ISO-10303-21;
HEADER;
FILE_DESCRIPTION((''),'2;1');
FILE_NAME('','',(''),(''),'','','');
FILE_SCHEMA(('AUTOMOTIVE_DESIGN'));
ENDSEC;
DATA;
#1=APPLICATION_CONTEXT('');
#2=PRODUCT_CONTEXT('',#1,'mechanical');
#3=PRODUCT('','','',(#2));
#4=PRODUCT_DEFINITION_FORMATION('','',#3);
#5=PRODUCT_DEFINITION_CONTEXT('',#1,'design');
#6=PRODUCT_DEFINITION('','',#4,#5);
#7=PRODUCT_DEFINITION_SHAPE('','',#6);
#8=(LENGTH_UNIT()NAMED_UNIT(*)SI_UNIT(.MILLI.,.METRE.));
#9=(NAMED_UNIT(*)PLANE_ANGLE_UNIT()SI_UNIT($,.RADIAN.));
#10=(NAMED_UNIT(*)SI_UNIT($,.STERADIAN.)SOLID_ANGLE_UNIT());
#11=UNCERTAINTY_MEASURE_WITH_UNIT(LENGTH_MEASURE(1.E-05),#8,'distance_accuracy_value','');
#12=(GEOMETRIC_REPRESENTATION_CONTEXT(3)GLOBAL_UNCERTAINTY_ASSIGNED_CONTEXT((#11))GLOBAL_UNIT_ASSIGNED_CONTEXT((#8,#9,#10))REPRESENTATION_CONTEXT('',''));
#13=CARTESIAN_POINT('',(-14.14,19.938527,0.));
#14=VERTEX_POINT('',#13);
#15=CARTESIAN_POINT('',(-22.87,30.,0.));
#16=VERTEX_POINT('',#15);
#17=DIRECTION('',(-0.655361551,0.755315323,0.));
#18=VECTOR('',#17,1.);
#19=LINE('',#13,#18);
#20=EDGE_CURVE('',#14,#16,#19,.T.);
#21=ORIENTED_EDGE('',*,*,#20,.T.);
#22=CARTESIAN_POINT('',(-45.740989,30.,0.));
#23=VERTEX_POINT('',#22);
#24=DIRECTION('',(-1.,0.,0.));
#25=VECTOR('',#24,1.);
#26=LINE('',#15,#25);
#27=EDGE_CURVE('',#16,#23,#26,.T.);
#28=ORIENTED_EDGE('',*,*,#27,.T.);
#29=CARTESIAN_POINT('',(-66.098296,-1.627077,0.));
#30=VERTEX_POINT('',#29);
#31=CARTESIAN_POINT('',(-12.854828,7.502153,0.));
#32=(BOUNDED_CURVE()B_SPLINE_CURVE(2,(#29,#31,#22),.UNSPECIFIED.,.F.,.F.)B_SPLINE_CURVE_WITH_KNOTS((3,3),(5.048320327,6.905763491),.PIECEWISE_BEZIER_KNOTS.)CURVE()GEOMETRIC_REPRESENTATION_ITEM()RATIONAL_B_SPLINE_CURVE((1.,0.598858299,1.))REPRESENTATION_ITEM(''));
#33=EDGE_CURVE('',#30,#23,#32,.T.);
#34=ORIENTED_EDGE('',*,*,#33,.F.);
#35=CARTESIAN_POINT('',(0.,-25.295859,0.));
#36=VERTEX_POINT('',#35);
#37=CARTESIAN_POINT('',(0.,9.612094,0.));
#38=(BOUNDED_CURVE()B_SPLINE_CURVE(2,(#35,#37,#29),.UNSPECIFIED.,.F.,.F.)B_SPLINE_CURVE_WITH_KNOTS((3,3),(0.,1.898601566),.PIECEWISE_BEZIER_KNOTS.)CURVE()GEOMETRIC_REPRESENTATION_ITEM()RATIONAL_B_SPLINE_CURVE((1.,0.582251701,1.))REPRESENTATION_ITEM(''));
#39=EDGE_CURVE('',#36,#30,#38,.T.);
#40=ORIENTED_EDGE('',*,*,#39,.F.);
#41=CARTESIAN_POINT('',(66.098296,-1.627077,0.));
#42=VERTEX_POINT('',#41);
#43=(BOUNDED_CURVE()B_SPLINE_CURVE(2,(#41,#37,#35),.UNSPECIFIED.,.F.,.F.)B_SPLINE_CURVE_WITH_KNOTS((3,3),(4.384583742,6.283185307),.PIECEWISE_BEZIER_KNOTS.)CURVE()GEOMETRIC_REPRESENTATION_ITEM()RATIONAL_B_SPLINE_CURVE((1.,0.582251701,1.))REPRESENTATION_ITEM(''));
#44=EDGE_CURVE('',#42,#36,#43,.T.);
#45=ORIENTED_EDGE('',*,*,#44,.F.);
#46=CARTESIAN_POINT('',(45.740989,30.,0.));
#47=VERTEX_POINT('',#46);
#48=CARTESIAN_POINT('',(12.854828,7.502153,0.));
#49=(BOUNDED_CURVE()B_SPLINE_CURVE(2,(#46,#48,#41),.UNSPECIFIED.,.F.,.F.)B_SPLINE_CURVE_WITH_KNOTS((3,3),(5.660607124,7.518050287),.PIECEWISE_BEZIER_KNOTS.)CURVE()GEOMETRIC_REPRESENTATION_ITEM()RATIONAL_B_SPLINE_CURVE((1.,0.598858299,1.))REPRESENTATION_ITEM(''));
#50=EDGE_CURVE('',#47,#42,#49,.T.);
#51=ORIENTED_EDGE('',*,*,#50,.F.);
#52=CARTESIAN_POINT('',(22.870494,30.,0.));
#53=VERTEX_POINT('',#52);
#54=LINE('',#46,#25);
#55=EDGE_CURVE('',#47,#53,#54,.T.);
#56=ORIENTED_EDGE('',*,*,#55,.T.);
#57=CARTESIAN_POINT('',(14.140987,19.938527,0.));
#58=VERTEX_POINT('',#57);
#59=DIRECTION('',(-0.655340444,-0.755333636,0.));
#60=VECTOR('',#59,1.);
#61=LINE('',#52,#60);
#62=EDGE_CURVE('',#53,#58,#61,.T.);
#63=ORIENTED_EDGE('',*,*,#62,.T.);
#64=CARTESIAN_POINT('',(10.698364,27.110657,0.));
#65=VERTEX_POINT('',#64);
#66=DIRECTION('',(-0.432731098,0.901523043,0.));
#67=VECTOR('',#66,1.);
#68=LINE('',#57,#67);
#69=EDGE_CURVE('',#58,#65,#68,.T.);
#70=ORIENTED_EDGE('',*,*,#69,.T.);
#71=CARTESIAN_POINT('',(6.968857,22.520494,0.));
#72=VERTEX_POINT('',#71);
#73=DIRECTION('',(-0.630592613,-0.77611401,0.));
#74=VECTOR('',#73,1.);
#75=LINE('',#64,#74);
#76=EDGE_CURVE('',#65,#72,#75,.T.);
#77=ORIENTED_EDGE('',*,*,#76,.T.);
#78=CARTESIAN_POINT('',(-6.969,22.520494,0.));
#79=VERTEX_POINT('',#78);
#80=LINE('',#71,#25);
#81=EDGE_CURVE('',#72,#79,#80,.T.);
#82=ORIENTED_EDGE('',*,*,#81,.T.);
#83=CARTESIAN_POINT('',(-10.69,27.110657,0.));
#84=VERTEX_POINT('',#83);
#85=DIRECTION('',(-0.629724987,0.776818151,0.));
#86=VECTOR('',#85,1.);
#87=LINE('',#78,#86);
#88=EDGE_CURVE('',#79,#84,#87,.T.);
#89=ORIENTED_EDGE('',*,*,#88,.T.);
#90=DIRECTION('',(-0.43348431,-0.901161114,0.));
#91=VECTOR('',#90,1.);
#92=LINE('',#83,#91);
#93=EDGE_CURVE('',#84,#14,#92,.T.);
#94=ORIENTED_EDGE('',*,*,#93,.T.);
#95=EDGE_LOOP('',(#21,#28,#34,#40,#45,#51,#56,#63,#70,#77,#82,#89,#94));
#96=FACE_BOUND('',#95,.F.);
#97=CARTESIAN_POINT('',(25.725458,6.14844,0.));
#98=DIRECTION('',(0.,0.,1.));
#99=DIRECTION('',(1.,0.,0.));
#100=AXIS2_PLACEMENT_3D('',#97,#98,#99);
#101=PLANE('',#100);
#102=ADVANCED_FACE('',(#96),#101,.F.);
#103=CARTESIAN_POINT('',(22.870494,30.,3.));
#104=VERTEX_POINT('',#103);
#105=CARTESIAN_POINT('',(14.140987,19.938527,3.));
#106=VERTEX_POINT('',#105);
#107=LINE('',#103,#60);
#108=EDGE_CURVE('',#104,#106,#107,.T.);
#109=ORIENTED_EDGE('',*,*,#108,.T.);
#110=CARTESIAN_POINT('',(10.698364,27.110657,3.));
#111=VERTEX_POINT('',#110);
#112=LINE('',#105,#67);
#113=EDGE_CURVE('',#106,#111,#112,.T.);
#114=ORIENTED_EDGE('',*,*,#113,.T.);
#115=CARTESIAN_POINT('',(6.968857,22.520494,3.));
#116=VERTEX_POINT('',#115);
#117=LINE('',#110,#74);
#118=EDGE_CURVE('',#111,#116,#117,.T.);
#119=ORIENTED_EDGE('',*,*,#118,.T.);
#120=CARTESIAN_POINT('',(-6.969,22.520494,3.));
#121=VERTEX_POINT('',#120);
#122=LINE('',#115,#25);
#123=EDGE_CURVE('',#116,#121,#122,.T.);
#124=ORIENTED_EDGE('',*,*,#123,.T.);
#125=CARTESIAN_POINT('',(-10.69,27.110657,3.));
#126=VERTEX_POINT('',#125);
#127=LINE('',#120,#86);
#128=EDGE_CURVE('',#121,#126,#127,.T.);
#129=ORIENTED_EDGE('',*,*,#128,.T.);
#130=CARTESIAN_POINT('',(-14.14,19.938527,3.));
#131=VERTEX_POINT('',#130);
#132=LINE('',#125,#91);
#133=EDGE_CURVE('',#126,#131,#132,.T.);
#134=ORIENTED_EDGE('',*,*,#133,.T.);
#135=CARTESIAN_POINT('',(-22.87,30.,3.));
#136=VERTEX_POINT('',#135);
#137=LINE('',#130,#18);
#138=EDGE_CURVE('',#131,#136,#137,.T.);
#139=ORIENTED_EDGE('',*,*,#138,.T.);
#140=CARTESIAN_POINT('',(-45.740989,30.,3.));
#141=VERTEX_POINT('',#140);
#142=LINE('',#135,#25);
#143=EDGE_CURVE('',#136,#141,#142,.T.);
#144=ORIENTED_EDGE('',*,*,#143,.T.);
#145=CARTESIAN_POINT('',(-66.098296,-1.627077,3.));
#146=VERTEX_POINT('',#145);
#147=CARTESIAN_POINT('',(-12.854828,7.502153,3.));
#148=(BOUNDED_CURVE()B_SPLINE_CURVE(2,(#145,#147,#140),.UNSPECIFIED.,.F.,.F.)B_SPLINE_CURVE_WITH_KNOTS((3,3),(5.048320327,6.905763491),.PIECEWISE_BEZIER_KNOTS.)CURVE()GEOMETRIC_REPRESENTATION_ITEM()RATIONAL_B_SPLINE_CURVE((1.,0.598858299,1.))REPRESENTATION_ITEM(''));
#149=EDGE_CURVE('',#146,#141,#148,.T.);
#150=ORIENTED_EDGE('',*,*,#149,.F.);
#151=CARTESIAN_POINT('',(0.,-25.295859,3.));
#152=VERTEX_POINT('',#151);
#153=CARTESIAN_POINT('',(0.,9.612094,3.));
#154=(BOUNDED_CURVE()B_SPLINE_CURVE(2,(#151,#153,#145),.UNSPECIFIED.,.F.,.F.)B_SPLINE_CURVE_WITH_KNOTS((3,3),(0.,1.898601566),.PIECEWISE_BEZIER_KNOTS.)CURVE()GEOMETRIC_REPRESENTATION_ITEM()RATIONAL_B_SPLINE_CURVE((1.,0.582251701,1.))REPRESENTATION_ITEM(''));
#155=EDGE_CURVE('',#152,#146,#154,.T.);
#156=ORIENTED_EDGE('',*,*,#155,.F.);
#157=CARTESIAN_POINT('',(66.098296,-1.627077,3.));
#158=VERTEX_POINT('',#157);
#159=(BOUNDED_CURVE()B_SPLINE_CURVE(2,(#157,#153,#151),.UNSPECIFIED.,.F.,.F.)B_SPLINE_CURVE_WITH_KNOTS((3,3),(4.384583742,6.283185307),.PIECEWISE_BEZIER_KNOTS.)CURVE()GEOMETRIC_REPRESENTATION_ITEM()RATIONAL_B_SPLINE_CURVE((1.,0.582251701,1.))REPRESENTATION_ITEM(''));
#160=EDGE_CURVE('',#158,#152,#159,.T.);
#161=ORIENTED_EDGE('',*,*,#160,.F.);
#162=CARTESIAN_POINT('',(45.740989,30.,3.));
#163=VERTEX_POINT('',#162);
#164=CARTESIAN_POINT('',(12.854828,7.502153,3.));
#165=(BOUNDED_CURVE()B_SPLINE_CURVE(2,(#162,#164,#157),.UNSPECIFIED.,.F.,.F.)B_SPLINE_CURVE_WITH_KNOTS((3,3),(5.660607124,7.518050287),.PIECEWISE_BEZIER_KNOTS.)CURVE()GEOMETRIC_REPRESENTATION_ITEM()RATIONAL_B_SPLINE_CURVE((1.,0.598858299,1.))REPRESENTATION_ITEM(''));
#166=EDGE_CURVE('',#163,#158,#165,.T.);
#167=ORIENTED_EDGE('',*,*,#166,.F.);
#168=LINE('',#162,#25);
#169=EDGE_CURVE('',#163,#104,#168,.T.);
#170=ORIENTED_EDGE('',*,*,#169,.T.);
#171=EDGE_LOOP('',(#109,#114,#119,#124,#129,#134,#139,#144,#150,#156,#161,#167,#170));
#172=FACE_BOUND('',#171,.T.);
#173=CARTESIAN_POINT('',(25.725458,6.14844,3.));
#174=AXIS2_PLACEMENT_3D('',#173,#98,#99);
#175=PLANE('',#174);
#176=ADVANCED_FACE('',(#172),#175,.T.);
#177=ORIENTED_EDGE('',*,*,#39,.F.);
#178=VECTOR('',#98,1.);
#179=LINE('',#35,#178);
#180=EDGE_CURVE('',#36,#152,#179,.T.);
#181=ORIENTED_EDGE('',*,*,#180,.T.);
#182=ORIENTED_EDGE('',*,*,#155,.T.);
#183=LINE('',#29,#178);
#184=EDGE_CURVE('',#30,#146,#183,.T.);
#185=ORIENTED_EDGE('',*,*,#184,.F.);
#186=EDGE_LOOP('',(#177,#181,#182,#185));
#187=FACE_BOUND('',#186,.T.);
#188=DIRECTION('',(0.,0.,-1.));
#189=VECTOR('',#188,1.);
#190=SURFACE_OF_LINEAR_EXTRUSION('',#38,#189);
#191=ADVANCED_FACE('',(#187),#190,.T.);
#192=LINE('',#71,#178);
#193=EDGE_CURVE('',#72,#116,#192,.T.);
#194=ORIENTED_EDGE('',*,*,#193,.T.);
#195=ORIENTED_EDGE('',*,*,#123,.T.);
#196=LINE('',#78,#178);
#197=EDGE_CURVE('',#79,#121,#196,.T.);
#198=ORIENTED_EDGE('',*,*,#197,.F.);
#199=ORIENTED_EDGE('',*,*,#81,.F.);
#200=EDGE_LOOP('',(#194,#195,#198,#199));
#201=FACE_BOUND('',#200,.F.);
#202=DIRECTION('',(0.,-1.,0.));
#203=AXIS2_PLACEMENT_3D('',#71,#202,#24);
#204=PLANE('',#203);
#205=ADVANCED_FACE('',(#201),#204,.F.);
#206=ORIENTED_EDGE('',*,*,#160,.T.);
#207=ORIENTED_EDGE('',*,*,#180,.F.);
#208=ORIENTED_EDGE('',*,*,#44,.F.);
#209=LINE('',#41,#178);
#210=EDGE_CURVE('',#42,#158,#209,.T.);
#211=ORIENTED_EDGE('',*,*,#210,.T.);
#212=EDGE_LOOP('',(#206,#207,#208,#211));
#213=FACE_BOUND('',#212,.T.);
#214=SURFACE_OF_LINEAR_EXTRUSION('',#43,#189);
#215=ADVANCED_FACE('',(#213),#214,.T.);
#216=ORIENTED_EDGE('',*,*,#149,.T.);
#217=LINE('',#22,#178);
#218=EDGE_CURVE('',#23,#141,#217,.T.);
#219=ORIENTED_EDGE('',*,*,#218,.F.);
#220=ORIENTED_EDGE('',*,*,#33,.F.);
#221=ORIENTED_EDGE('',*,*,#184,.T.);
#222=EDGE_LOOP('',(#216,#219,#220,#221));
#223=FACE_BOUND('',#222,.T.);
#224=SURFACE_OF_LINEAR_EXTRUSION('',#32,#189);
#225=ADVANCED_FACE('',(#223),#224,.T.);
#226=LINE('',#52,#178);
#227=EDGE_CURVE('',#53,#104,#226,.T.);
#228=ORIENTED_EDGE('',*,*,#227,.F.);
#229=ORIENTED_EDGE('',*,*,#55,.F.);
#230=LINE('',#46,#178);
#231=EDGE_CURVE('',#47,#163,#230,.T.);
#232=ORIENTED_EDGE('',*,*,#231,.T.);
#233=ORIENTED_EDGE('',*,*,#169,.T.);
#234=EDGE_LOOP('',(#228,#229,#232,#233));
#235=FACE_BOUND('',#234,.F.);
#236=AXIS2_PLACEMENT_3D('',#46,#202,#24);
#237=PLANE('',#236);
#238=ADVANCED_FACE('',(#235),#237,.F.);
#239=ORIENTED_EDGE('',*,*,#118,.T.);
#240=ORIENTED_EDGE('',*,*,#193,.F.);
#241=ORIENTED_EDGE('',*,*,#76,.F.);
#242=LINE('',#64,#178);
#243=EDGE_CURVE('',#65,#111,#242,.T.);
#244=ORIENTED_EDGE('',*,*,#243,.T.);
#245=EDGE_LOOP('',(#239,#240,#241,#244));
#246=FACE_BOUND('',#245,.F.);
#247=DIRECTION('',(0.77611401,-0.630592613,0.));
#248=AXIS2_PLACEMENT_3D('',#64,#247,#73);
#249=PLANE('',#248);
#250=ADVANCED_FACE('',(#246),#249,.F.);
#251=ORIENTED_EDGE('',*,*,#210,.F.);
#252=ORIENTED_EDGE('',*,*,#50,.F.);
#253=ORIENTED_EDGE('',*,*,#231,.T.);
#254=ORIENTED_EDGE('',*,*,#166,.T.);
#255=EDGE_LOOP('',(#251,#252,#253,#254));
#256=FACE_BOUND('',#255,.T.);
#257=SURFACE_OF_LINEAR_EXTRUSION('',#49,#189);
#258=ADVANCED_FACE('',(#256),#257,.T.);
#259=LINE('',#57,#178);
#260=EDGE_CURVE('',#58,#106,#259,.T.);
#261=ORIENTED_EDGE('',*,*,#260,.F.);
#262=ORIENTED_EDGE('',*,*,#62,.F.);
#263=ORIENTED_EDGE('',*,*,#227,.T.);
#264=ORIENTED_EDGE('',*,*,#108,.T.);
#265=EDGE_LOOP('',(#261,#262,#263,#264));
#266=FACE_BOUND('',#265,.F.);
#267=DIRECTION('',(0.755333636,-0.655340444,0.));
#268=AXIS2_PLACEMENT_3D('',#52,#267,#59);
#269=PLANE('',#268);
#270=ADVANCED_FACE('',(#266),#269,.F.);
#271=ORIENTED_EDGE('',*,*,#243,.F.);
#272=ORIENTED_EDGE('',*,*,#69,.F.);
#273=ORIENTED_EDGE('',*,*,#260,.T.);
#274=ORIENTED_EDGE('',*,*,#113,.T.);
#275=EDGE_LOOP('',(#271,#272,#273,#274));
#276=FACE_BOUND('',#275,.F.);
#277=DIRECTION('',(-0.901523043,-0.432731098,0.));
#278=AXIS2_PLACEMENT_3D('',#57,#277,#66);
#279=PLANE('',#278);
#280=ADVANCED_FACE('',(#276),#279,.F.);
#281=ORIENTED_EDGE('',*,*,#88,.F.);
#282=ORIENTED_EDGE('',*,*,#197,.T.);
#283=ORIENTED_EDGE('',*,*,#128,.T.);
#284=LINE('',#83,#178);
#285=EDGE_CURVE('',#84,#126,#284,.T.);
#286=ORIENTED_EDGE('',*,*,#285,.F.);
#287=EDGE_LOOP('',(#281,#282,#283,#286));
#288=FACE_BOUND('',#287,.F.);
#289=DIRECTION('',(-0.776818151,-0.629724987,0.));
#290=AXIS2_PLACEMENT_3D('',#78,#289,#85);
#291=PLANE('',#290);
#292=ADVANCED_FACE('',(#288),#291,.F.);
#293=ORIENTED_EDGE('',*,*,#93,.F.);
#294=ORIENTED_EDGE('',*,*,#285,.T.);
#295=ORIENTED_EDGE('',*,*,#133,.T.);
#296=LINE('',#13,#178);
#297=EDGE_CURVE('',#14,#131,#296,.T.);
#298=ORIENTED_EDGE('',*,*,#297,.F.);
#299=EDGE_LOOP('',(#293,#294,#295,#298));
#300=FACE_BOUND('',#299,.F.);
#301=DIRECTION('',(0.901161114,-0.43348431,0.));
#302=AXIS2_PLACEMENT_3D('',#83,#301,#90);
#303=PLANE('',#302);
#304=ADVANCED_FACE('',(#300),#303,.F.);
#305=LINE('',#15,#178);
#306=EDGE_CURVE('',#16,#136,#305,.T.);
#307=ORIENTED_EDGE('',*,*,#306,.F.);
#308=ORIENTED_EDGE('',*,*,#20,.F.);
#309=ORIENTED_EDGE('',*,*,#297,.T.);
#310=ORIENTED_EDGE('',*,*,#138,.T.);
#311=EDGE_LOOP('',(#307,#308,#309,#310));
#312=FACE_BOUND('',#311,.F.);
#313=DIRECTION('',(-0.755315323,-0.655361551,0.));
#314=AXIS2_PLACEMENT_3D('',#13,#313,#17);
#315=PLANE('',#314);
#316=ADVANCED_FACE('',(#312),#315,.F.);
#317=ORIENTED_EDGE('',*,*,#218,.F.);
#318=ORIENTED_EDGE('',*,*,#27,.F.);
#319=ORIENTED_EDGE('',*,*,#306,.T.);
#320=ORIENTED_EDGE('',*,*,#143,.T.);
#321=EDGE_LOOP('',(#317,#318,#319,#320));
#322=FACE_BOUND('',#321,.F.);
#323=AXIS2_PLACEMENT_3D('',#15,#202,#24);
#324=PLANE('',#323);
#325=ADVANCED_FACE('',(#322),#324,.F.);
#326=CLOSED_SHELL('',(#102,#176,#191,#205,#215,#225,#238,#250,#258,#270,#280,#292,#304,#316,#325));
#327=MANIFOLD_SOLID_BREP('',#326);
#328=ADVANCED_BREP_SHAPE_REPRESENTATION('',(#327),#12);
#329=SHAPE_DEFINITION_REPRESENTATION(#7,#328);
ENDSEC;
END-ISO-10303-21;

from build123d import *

# Parameters (mm, degrees)
F1_DEPTH = 3


with BuildPart() as f1:
    # F0 (on Top) → F1 (new body)
    with BuildSketch(Plane.XY):
        with BuildLine():
            Line((45.7409886244, 30), (22.8704943122, 30))
            Line((22.8704943122, 30), (14.1409871341, 19.9385266751))
            Line((14.1409871341, 19.9385266751), (10.6983644129, 27.1106567234))
            Line((10.6983644129, 27.1106567234), (6.9688570859, 22.520493716))
            Line((6.9688570859, 22.520493716), (0, 22.520493716))
            Line((0, 22.520493716), (0, -25.2958586258))
            add(Edge.make_bspline(
                [(66.0982956285, -1.6270770885), (0, 9.6120936087), (0, -25.2958586258)],
                knots=[4.3845837416, 4.3845837416, 4.3845837416, 6.2831853072, 6.2831853072, 6.2831853072], degree=2, weights=[1, 0.5822517013, 1]))
            add(Edge.make_bspline(
                [(45.7409886244, 30), (12.8548277611, 7.5021534264), (66.0982956285, -1.6270770885)],
                knots=[5.6606071237, 5.6606071237, 5.6606071237, 7.5180502874, 7.5180502874, 7.5180502874], degree=2, weights=[1, 0.598858299, 1]))
        make_face()
        with BuildLine():
            Line((0, -25.2958586258), (0, 22.520493716))
            Line((0, 22.520493716), (-6.969, 22.520493716))
            Line((-6.969, 22.520493716), (-10.69, 27.1106567234))
            Line((-10.69, 27.1106567234), (-14.14, 19.9385266751))
            Line((-14.14, 19.9385266751), (-22.87, 30))
            Line((-22.87, 30), (-45.7409886244, 30))
            add(Edge.make_bspline(
                [(-66.0982956285, -1.6270770885), (-12.8548277611, 7.5021534264), (-45.7409886244, 30)],
                knots=[5.048320327, 5.048320327, 5.048320327, 6.9057634906, 6.9057634906, 6.9057634906], degree=2, weights=[1, 0.598858299, 1]))
            add(Edge.make_bspline(
                [(0, -25.2958586258), (0, 9.6120936087), (-66.0982956285, -1.6270770885)],
                knots=[0, 0, 0, 1.8986015656, 1.8986015656, 1.8986015656], degree=2, weights=[1, 0.5822517013, 1]))
        make_face()
    extrude(amount=F1_DEPTH)


solid = f1.part
